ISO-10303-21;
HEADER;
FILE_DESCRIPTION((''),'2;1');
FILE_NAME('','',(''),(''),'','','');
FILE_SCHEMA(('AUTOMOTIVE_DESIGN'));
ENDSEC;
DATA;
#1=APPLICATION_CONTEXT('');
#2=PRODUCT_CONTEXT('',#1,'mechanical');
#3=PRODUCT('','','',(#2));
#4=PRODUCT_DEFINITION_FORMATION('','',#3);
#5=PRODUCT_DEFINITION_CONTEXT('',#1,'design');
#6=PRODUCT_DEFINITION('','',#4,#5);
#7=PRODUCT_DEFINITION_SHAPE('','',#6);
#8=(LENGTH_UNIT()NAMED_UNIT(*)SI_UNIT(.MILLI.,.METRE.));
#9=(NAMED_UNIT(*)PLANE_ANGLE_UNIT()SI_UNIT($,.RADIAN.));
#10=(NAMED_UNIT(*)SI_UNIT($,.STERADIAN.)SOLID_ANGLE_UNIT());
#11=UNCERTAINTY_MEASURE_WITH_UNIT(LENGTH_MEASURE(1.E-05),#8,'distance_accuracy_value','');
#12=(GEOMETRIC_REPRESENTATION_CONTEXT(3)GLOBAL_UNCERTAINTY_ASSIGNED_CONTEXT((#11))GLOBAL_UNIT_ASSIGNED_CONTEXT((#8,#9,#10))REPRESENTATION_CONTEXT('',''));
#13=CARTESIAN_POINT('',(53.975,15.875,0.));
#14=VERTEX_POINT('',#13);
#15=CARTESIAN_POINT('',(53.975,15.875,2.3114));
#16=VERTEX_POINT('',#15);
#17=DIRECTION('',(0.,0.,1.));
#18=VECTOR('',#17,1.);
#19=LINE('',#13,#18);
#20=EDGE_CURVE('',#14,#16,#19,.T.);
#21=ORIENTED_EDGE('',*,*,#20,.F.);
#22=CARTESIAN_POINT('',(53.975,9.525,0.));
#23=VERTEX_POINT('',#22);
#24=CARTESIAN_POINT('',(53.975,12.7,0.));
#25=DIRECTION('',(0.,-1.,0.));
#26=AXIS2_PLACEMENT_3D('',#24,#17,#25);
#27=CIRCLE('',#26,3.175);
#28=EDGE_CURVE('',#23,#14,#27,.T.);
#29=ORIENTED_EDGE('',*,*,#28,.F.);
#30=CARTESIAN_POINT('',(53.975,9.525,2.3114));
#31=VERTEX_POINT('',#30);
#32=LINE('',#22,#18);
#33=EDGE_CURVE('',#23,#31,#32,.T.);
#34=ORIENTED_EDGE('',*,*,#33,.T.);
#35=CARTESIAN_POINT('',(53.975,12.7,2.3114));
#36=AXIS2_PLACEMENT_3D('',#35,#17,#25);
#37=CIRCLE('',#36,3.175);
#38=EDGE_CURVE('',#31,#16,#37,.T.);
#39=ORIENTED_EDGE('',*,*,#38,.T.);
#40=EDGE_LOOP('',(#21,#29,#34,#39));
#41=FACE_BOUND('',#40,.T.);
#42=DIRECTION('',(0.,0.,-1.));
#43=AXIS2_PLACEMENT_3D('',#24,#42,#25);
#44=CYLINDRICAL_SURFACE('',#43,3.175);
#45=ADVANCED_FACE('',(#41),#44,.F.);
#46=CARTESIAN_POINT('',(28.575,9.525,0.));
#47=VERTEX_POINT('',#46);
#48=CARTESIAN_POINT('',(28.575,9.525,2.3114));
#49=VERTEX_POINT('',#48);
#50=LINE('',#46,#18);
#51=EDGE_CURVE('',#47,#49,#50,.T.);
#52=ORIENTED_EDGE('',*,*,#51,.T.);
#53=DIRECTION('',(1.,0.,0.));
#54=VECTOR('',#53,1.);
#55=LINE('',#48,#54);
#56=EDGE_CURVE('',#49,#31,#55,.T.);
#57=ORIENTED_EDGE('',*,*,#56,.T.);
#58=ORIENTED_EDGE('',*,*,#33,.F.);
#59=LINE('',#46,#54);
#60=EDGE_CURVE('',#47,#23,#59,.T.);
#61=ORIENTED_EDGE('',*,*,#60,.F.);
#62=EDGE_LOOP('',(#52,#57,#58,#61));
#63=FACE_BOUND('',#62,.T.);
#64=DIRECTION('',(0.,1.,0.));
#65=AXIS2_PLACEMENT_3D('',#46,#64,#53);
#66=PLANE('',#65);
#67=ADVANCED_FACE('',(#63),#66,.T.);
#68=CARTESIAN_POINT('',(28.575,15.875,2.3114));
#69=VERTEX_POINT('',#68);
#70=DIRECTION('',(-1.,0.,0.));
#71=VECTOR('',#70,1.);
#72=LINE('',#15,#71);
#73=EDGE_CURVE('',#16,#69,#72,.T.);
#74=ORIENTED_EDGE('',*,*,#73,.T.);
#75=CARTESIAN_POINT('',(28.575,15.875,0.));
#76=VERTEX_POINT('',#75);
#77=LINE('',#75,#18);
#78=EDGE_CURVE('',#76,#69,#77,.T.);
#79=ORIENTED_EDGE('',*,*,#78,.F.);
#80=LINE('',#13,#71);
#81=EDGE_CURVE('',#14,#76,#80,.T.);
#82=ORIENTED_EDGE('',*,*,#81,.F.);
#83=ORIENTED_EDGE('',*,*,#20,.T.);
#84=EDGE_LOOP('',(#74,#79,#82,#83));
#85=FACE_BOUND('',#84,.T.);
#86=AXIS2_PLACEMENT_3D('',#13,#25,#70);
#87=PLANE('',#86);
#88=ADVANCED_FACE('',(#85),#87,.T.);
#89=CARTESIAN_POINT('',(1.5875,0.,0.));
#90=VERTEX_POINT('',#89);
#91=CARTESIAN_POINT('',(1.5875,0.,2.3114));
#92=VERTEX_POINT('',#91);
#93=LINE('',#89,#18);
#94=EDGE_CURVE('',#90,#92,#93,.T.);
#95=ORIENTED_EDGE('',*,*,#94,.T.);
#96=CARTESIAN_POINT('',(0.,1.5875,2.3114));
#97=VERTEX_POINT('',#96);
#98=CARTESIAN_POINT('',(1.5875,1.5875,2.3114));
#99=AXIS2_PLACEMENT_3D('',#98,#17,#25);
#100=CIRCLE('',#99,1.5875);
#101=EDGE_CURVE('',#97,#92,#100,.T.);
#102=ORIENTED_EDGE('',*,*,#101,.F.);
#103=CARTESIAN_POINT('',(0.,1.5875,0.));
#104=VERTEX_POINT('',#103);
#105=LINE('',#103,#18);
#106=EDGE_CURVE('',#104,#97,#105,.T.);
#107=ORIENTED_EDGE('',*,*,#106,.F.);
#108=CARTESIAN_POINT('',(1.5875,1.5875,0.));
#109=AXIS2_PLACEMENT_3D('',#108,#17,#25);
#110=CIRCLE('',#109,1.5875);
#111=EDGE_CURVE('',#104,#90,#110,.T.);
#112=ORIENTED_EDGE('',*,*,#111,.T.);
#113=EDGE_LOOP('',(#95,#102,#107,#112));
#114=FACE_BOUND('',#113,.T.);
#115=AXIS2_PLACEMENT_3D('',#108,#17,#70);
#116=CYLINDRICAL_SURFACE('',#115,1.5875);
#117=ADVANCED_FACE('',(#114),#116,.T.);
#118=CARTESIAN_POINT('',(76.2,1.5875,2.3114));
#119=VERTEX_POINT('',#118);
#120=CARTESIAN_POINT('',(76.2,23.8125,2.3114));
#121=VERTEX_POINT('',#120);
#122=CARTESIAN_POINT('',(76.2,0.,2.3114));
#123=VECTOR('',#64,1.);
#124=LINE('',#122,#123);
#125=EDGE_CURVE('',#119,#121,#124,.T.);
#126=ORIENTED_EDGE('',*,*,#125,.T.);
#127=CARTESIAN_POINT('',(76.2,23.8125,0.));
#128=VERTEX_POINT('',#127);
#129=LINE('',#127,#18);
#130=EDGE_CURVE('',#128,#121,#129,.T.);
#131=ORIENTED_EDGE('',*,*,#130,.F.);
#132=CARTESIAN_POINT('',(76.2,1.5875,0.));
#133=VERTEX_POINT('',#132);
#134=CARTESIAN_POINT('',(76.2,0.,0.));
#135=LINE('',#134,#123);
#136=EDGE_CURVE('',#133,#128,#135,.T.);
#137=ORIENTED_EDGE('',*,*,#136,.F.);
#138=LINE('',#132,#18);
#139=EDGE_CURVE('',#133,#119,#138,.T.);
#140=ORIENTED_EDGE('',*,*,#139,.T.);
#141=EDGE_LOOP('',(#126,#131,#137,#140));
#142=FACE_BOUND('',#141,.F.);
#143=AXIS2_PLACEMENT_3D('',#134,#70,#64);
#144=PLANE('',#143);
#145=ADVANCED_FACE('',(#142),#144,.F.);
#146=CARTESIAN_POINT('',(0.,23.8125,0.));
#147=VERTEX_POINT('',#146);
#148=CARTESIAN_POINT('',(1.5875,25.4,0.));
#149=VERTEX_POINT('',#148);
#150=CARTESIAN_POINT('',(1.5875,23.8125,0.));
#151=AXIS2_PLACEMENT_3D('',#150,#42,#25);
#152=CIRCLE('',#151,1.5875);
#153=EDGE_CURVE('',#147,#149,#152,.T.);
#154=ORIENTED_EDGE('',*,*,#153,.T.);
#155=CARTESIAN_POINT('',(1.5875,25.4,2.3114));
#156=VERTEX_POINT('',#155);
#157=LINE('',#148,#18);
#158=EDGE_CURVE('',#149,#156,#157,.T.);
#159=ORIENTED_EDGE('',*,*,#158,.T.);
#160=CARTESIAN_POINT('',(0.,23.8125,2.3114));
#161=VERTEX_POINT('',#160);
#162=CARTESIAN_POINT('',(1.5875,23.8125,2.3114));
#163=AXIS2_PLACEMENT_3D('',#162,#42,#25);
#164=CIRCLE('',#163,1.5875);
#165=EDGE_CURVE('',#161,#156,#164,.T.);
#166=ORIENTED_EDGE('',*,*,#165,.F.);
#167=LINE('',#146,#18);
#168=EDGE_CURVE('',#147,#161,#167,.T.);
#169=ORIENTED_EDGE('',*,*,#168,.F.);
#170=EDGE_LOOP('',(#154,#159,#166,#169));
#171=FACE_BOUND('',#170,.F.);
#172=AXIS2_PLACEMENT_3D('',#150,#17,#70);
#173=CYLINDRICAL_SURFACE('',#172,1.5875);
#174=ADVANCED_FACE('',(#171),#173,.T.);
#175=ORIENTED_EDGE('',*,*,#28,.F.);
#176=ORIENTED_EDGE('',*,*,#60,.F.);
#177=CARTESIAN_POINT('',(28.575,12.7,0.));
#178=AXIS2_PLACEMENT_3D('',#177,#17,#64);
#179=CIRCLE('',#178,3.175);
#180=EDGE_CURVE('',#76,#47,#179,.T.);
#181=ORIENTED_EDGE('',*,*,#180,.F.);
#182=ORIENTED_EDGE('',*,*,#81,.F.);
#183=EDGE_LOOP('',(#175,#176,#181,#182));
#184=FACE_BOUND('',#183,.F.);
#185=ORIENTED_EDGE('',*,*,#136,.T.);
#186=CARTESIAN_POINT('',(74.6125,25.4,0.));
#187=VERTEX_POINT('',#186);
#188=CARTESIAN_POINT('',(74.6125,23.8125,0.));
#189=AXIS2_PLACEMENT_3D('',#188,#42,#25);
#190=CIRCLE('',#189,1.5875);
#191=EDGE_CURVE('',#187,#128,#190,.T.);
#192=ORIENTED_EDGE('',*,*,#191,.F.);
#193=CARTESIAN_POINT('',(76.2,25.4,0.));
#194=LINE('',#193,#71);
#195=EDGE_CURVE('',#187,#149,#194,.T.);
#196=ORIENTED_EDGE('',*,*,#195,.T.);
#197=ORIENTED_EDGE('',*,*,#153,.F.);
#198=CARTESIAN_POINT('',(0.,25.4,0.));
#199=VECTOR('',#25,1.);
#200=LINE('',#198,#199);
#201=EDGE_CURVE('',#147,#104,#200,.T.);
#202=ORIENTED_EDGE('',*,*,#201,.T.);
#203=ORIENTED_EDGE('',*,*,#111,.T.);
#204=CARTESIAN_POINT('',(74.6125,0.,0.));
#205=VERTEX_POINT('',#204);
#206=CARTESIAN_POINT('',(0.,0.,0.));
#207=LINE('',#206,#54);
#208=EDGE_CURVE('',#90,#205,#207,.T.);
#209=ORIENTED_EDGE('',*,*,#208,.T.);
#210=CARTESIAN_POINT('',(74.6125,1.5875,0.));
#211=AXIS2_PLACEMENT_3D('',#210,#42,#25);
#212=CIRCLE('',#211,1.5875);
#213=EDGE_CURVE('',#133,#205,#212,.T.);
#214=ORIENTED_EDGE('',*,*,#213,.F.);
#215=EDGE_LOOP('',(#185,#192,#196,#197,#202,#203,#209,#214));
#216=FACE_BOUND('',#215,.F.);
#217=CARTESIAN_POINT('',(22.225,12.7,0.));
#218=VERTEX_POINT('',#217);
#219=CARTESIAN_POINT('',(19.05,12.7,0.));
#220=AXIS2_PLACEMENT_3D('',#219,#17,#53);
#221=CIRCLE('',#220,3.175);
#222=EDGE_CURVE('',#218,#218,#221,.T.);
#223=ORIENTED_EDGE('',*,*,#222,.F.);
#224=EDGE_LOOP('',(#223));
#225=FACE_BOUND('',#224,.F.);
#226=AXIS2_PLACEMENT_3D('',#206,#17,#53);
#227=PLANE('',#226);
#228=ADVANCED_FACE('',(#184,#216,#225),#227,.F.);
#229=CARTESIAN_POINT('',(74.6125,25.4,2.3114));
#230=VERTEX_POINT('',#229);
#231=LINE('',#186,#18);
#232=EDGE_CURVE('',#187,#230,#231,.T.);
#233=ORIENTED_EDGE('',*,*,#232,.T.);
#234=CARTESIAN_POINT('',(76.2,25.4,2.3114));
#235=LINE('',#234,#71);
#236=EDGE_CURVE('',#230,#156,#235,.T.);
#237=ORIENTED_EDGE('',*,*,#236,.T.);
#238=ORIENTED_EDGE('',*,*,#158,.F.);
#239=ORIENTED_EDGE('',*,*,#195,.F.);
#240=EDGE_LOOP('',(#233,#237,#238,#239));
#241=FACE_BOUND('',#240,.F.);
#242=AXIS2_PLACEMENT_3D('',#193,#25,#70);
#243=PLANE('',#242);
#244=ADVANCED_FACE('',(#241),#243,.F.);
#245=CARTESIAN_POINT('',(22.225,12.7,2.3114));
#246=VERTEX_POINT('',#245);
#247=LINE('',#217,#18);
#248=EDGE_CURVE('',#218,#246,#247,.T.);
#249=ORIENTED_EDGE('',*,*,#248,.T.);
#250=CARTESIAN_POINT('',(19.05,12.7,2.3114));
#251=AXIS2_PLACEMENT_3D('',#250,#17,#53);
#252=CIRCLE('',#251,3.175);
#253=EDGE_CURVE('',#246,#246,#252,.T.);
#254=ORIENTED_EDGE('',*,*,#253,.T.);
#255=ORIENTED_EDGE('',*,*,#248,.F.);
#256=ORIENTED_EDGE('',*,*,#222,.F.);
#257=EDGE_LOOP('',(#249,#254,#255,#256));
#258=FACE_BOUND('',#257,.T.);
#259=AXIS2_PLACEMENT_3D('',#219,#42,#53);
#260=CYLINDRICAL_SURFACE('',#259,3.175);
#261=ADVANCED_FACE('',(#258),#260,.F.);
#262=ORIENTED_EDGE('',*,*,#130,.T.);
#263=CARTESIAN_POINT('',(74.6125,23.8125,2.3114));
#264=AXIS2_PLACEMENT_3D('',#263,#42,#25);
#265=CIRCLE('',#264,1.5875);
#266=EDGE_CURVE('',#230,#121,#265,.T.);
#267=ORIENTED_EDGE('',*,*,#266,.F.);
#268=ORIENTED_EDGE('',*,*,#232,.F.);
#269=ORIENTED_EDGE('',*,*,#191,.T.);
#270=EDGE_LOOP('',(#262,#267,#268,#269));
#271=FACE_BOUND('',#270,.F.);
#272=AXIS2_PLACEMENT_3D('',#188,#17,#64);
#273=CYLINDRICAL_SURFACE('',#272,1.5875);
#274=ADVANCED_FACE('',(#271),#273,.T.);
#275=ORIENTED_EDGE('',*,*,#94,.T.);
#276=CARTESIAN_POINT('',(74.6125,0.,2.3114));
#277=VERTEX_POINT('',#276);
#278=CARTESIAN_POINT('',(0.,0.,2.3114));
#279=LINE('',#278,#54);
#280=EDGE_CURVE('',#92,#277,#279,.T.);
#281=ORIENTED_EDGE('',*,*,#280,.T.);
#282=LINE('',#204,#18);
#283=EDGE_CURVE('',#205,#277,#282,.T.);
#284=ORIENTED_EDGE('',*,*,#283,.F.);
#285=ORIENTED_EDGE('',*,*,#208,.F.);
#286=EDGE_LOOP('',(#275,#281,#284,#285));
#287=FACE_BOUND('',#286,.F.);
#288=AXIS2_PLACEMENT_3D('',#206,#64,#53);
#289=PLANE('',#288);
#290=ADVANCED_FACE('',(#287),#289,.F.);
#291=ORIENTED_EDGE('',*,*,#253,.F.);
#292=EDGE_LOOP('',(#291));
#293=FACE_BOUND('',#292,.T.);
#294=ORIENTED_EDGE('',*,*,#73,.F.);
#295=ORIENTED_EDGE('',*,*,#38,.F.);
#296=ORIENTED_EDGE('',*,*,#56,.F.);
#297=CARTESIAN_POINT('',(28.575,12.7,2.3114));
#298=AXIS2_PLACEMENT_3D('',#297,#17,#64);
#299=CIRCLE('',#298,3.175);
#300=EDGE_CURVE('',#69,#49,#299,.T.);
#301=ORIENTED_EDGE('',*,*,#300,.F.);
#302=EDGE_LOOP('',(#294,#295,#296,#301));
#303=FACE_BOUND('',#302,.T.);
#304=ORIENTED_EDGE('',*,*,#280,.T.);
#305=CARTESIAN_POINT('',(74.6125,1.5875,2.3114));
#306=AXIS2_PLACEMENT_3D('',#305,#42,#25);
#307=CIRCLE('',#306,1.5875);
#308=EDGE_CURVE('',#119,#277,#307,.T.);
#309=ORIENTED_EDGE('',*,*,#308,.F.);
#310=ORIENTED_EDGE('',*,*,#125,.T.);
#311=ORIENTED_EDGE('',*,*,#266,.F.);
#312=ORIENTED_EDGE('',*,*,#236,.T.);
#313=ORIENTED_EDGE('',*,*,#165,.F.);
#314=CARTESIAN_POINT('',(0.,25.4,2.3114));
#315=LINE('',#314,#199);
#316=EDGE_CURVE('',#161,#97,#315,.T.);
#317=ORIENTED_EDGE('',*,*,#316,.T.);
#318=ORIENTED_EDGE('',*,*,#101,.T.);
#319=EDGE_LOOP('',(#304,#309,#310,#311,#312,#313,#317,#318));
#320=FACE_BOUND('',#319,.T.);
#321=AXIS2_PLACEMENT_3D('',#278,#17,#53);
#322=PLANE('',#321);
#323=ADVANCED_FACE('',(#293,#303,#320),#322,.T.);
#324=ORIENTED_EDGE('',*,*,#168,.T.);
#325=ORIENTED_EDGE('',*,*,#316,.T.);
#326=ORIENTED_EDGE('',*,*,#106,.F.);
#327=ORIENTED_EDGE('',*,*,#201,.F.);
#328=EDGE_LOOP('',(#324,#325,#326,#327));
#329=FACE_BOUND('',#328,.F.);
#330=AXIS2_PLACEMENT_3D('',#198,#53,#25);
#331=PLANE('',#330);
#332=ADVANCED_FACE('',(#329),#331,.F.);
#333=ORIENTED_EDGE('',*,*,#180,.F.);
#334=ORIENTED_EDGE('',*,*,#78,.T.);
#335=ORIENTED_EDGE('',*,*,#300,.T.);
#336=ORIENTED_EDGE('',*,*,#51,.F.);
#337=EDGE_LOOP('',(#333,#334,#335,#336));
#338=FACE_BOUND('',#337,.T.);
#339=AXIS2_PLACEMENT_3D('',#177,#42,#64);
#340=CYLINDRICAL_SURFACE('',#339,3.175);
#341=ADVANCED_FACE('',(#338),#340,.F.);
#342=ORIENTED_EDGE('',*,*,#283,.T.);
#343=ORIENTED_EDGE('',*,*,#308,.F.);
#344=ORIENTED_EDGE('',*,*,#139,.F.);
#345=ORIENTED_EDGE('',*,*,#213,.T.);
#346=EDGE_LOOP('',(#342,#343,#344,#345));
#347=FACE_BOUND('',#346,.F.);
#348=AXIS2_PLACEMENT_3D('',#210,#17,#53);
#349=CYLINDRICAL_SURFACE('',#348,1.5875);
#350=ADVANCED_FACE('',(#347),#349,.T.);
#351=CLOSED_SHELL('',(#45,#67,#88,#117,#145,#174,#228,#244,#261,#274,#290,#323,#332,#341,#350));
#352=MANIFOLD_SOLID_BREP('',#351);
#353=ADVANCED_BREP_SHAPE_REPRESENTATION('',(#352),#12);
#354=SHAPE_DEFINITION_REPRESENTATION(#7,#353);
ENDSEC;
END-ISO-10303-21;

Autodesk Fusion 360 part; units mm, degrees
sketch "Sketch1" plane through (0, 0, 0) normal (0, 0, 1) x (1, 0, 0) in component "Chain Guard"
  line L0 (0, 0) -> (76.2, 0)
  line L1 (76.2, 0) -> (76.2, 25.4)
  line L2 (76.2, 25.4) -> (0, 25.4)
  line L3 (0, 25.4) -> (0, 0)
  line L4 (0, 12.7) -> (76.2, 12.7) construction
  circle A0 centre (19.05, 12.7) radius 3.175
  line L5 (28.575, 9.525) -> (53.975, 9.525)
  arc A1 (53.975, 9.525) -> (53.975, 15.875) centre (53.975, 12.7) ccw
  line L6 (53.975, 15.875) -> (28.575, 15.875)
  arc A2 (28.575, 15.875) -> (28.575, 9.525) centre (28.575, 12.7) ccw
  line L7 (28.575, 12.7) -> (53.975, 12.7) construction
  dimension "d2" = 76.2
  dimension "d3" = 25.4
  dimension "d4" = 6.35
  dimension "d5" = 19.05
  dimension "d6" = 6.35
  dimension "d7" = 28.575
  dimension "d8" = 25.4
extrude "Extrude1" add sketch "Sketch1" along normal blind 2.3114 in component "Chain Guard"
fillet "Fillet1" radius 1.5875 4 edges at (76.2, 0, 1.1557) (76.2, 25.4, 1.1557) (0, 25.4, 1.1557) (0, 0, 1.1557) in component "Chain Guard"
component "Chain Guard" placed x (1, 0, 0) y (0, 1, 0) z (0, 0, 1) at (0, 0, 0)
